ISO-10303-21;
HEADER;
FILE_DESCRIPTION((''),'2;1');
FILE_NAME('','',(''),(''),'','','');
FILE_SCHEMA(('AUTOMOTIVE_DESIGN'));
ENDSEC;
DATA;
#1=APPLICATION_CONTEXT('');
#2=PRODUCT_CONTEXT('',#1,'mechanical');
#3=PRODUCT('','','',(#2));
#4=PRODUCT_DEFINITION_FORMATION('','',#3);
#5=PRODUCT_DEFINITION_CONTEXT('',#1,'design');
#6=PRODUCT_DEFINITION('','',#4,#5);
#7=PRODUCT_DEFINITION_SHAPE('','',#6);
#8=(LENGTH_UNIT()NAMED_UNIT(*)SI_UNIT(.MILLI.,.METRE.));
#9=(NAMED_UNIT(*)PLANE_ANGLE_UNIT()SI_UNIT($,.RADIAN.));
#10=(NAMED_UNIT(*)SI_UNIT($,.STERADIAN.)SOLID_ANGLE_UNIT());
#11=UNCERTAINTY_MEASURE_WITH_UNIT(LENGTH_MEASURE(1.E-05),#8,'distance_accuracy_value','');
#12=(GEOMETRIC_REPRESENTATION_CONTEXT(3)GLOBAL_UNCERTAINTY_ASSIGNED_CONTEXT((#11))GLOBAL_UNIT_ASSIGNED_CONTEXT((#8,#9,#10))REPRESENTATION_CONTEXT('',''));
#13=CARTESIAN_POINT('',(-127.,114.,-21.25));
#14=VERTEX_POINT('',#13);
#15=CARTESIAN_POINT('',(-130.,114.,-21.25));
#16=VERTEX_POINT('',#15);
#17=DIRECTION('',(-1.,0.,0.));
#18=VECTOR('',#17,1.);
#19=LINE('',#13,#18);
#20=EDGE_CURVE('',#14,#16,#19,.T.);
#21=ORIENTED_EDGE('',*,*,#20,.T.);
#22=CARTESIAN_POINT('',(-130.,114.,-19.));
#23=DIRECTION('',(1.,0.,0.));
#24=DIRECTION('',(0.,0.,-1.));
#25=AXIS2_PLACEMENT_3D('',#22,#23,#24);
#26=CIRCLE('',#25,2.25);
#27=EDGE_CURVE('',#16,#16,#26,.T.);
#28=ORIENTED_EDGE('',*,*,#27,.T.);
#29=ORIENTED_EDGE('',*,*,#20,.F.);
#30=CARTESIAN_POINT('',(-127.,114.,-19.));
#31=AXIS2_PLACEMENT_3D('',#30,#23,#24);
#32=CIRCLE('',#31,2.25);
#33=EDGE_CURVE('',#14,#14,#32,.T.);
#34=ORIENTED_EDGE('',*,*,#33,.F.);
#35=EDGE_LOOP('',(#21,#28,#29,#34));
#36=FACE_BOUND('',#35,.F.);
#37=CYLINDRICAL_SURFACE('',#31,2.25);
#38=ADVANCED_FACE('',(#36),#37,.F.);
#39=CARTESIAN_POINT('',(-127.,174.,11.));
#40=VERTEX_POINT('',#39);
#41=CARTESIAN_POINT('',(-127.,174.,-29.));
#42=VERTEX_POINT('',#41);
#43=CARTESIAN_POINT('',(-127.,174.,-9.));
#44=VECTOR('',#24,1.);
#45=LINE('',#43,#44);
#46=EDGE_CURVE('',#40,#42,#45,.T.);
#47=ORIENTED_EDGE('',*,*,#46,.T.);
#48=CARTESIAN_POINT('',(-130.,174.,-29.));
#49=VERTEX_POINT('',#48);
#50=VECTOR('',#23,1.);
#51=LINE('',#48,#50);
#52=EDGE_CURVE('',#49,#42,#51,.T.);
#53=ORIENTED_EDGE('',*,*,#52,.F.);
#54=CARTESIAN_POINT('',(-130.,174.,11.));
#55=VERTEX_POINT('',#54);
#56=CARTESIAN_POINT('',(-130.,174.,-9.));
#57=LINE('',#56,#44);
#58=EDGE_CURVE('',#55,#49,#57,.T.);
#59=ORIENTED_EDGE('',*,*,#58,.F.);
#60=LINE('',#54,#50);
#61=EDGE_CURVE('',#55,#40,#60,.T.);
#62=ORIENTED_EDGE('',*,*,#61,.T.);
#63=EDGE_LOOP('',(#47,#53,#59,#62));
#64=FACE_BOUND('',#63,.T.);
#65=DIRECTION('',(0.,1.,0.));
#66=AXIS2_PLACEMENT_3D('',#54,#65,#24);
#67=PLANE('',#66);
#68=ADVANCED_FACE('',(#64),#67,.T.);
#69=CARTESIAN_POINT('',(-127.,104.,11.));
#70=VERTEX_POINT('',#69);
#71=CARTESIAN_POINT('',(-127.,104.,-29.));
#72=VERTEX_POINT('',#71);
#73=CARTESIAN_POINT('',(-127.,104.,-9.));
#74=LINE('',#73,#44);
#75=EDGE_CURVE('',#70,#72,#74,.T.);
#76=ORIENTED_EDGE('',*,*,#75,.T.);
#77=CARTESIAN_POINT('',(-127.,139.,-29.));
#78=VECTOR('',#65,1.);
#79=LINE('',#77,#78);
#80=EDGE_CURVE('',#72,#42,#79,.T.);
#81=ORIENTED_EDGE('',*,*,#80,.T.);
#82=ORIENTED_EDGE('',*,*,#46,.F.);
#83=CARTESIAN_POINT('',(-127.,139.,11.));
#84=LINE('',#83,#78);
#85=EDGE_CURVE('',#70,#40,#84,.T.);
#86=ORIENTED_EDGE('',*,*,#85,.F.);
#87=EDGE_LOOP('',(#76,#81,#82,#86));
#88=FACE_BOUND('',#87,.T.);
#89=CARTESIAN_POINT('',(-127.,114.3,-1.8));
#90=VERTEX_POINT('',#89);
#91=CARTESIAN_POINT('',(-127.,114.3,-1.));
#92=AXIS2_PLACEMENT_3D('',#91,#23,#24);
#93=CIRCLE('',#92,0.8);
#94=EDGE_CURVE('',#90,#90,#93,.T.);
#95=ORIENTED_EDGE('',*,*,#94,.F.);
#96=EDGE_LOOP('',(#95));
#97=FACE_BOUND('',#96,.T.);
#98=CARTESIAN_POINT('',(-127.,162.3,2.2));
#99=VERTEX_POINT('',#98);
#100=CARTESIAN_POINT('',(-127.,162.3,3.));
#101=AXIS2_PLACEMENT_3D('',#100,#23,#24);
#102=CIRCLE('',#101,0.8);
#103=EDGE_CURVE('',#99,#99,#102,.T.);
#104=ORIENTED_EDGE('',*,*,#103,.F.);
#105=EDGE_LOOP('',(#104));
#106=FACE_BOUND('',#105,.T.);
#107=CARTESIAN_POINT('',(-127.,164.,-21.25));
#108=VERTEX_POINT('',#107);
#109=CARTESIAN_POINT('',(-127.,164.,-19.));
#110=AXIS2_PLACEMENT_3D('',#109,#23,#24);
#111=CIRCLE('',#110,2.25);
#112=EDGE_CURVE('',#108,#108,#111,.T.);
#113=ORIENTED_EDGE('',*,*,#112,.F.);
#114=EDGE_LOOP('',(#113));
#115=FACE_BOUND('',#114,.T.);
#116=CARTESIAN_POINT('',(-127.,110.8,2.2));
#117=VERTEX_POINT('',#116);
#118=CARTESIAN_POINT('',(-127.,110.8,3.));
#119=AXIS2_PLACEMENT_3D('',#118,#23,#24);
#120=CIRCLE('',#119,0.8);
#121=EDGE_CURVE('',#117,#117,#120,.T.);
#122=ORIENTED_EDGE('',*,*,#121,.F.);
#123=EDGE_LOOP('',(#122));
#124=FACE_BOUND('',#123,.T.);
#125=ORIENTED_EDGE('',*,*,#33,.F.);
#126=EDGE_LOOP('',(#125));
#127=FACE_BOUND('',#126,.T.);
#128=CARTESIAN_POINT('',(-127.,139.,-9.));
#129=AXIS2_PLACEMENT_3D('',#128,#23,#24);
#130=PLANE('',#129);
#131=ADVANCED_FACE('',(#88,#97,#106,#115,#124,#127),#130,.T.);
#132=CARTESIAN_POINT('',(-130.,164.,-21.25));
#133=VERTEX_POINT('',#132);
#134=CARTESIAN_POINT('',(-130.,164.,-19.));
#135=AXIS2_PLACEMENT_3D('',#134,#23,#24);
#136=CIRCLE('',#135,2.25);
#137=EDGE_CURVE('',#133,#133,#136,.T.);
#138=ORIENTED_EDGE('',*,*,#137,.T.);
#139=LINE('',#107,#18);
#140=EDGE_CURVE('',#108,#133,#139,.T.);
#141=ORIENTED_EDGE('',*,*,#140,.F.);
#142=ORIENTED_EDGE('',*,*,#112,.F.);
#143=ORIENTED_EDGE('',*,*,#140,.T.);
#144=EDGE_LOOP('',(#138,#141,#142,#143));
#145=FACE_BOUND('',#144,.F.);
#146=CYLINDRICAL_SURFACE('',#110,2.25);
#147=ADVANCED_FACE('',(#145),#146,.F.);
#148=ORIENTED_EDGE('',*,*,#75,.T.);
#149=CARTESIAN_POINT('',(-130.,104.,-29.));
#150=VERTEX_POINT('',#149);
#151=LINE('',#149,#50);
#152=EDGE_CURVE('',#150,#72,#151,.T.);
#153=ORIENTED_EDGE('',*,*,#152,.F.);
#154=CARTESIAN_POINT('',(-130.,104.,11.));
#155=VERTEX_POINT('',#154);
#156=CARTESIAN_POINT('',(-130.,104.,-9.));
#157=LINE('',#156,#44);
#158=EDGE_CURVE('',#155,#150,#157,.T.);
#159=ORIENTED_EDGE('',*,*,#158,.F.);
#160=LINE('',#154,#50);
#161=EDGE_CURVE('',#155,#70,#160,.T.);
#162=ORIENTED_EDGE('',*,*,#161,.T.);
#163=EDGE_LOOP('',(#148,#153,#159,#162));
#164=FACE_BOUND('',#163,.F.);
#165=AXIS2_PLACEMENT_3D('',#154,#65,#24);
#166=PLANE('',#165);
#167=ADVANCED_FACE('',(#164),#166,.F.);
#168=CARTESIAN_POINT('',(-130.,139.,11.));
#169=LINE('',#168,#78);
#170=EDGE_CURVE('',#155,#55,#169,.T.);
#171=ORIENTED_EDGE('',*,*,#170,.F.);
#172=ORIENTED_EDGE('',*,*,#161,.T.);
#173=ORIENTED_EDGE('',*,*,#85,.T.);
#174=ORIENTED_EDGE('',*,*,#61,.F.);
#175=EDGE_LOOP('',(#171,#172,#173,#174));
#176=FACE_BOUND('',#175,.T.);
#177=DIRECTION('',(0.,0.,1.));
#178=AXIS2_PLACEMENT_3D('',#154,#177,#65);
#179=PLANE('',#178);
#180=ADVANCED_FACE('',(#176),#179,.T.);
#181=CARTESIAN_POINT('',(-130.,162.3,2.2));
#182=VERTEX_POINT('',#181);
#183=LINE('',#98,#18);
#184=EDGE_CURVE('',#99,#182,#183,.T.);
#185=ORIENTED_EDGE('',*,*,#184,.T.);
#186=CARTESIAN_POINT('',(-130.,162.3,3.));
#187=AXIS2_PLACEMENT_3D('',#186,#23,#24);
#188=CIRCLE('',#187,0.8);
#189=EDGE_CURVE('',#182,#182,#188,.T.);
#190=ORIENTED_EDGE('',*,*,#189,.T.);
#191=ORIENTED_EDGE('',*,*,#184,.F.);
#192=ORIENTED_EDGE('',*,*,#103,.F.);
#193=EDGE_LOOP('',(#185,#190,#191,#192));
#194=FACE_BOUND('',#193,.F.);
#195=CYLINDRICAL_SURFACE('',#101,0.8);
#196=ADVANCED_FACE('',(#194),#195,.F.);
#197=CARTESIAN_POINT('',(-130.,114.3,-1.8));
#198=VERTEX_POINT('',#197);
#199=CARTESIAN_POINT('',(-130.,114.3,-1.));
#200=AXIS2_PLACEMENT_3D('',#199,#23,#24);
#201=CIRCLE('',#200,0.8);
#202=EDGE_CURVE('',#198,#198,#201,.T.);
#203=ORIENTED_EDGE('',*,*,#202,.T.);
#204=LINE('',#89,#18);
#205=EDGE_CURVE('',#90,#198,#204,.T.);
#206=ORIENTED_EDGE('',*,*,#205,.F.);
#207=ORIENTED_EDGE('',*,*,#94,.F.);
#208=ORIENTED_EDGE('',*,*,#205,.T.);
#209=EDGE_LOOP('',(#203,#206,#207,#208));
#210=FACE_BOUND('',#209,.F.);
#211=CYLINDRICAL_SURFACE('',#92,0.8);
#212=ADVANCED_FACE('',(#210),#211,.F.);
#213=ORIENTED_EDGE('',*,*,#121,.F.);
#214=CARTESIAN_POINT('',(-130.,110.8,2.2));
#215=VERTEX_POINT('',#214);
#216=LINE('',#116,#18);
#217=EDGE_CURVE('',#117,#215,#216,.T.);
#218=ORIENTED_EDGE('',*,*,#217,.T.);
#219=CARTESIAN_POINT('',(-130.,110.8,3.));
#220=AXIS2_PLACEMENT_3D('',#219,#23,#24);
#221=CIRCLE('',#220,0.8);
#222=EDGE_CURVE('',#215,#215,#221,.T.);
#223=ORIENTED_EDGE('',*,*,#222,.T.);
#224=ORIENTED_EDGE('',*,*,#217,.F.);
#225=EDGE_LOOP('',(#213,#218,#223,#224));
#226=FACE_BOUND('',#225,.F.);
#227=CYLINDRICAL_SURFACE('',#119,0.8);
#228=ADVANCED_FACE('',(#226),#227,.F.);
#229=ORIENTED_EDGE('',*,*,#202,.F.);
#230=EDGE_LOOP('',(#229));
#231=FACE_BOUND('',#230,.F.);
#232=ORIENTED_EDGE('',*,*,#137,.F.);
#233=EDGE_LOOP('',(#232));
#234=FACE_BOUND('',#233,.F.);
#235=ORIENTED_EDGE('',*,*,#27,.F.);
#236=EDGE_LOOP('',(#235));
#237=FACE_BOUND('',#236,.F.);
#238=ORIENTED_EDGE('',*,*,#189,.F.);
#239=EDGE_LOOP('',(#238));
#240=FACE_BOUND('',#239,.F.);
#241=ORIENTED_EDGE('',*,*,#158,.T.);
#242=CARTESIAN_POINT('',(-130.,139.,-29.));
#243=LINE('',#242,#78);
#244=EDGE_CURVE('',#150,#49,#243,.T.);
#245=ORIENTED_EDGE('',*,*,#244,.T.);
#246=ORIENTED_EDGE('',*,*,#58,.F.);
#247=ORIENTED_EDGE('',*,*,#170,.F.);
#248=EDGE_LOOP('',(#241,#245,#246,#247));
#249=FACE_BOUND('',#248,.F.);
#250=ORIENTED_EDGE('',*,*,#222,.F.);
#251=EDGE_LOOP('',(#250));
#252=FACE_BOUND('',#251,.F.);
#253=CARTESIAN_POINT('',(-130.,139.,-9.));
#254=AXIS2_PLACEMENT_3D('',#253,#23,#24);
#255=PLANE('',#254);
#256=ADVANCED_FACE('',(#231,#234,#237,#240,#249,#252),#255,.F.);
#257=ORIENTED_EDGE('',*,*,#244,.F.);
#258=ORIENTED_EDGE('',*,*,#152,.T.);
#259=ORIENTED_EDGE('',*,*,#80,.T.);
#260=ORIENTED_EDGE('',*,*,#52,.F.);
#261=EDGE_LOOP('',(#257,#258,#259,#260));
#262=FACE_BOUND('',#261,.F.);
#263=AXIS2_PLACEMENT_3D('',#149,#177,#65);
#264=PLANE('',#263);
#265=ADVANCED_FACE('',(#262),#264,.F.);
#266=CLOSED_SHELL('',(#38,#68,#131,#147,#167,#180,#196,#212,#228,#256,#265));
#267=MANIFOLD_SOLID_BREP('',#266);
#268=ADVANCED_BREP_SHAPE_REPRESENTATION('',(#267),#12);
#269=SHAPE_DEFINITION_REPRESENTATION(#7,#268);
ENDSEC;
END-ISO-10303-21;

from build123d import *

# Parameters (mm, degrees)
SKETCH001_W             = 40
SKETCH001_H             = 70
PAD001_DEPTH            = 3
SKETCH002_R             = 2.25
HOLE_DEPTH              = 3.001
SKETCH003_R             = 0.8
HOLE001_DEPTH           = 3.001
BODY001_PLACEMENT_ANGLE = 90


with BuildPart() as part:
    # Sketch001 → Pad001 (new body)
    with BuildSketch(Plane.XY):
        Rectangle(SKETCH001_W, SKETCH001_H)
    extrude(amount=PAD001_DEPTH)

    # Sketch002 (on Face6 of Pad001) → Hole (cut, through all)
    with BuildSketch(Plane.XY.offset(3)):
        with Locations((10, 25)):
            Circle(SKETCH002_R)
        with Locations((10, -25)):
            Circle(SKETCH002_R)
    extrude(amount=-HOLE_DEPTH, mode=Mode.SUBTRACT)

    # Sketch003 (on Face5 of Hole) → Hole001 (cut, through all)
    with BuildSketch(Plane.XY.offset(3)):
        with Locations((-12, 23.3)):
            Circle(SKETCH003_R)
        with Locations((-12, -28.2)):
            Circle(SKETCH003_R)
        with Locations((-8, -24.7)):
            Circle(SKETCH003_R)
    extrude(amount=-HOLE001_DEPTH, mode=Mode.SUBTRACT)


with BuildPart() as part_1:
    # Body001 placement: moved
    add(part.part.moved(Location((-130, 139, -9))).rotate(Axis((-130, 139, -9), (0, 1, 0)), BODY001_PLACEMENT_ANGLE))


solid = part_1.part
